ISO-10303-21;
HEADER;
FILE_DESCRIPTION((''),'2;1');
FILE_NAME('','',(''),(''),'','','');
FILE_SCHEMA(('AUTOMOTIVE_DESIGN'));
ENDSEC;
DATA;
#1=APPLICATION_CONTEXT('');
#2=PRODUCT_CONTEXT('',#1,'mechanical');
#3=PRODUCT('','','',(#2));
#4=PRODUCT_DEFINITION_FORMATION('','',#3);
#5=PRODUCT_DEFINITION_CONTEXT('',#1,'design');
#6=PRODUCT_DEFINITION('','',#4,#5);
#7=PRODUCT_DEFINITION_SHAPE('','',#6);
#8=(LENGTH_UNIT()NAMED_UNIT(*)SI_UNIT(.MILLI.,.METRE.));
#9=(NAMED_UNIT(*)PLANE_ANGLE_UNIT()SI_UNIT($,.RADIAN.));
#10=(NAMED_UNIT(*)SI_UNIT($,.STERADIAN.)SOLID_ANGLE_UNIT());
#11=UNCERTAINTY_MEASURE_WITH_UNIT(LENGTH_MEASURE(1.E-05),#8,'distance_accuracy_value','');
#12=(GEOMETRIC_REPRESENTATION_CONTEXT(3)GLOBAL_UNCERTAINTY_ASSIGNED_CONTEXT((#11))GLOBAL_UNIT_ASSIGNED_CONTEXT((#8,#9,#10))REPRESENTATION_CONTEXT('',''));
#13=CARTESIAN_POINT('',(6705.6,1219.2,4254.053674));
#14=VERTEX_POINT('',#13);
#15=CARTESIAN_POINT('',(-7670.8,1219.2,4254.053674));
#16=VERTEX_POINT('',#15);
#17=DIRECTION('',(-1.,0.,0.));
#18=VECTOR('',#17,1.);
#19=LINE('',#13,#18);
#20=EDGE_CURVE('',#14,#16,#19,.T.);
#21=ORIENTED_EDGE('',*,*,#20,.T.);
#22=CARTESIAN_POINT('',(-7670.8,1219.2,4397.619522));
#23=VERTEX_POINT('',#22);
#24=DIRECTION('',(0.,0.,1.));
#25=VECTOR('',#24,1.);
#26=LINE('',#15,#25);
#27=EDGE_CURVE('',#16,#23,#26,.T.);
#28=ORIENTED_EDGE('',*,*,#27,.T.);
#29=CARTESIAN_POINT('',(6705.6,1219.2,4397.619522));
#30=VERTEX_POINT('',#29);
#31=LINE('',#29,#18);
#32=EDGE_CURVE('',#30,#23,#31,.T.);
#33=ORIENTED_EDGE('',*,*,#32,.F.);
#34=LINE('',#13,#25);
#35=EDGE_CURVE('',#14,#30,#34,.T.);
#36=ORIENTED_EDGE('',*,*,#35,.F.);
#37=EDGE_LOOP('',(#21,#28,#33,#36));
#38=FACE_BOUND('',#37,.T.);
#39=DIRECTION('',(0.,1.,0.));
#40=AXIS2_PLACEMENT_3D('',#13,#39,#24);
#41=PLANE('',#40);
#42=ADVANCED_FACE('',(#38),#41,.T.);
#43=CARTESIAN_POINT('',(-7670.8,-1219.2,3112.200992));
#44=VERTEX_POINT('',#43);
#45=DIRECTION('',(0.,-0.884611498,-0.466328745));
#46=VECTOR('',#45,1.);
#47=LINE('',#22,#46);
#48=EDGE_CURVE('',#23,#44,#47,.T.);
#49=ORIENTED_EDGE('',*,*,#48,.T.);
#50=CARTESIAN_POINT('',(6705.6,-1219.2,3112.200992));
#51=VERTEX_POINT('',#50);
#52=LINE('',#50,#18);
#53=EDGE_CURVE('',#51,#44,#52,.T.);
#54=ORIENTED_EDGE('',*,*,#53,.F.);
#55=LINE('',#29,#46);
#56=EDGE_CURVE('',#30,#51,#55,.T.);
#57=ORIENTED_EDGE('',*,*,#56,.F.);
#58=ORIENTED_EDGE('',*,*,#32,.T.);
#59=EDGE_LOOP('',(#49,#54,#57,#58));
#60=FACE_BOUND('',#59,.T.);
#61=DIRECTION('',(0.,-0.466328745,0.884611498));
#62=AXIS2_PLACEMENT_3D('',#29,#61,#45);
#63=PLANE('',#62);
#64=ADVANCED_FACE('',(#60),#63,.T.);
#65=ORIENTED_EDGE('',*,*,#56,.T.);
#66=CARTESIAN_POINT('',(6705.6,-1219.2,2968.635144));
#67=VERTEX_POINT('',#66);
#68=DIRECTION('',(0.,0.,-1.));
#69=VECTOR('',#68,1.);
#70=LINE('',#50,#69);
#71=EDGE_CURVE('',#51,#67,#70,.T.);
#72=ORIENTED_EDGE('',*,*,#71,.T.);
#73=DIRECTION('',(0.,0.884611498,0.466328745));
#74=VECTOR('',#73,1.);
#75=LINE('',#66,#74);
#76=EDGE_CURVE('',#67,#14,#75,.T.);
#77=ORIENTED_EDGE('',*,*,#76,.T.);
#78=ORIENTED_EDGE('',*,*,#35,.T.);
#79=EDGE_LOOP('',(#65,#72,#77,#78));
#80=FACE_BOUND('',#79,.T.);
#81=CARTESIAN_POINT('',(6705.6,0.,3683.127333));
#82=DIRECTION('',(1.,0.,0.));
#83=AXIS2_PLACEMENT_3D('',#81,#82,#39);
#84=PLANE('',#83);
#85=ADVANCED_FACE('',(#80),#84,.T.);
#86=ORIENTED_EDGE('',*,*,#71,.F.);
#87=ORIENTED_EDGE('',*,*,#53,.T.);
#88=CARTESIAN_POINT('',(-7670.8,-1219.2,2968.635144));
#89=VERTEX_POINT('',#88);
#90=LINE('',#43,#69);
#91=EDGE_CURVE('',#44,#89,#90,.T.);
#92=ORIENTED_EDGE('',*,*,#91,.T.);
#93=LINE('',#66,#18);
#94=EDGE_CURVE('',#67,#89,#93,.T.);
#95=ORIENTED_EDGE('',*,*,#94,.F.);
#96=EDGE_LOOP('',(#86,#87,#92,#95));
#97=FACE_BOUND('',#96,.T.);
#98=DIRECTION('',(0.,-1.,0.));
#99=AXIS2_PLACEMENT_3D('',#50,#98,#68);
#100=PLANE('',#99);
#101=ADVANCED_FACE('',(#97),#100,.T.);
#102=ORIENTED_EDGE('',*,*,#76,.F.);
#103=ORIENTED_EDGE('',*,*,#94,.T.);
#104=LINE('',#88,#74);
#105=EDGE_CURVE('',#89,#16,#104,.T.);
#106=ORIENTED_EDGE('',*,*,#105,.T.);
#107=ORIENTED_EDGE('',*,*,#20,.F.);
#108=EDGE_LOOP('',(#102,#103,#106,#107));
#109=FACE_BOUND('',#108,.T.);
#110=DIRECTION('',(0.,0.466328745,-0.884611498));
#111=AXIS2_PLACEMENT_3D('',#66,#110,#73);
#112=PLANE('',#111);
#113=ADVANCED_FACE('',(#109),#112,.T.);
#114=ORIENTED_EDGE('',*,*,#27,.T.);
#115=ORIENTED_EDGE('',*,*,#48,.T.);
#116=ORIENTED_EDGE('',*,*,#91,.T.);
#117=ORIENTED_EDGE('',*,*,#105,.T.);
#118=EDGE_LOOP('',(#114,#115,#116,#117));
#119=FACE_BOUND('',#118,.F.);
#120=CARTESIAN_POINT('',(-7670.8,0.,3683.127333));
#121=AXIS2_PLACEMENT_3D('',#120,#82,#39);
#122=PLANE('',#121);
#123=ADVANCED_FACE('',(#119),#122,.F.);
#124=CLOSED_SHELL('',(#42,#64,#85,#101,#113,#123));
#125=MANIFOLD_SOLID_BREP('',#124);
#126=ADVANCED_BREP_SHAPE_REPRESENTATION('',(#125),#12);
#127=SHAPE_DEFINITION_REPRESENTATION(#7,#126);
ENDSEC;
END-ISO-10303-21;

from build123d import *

# Parameters (mm, degrees)
F5_DEPTH = 14376.4


with BuildPart() as f5:
    # F3 (on offset) → F5 (new body)
    with BuildSketch(Plane.YZ.offset(6705.6)):
        Polygon((-1219.2, 2968.635144), (1219.2, 4254.053674), (1219.2, 4397.619522), (-1219.2, 3112.200992), align=None)
    extrude(amount=-F5_DEPTH)


solid = f5.part
